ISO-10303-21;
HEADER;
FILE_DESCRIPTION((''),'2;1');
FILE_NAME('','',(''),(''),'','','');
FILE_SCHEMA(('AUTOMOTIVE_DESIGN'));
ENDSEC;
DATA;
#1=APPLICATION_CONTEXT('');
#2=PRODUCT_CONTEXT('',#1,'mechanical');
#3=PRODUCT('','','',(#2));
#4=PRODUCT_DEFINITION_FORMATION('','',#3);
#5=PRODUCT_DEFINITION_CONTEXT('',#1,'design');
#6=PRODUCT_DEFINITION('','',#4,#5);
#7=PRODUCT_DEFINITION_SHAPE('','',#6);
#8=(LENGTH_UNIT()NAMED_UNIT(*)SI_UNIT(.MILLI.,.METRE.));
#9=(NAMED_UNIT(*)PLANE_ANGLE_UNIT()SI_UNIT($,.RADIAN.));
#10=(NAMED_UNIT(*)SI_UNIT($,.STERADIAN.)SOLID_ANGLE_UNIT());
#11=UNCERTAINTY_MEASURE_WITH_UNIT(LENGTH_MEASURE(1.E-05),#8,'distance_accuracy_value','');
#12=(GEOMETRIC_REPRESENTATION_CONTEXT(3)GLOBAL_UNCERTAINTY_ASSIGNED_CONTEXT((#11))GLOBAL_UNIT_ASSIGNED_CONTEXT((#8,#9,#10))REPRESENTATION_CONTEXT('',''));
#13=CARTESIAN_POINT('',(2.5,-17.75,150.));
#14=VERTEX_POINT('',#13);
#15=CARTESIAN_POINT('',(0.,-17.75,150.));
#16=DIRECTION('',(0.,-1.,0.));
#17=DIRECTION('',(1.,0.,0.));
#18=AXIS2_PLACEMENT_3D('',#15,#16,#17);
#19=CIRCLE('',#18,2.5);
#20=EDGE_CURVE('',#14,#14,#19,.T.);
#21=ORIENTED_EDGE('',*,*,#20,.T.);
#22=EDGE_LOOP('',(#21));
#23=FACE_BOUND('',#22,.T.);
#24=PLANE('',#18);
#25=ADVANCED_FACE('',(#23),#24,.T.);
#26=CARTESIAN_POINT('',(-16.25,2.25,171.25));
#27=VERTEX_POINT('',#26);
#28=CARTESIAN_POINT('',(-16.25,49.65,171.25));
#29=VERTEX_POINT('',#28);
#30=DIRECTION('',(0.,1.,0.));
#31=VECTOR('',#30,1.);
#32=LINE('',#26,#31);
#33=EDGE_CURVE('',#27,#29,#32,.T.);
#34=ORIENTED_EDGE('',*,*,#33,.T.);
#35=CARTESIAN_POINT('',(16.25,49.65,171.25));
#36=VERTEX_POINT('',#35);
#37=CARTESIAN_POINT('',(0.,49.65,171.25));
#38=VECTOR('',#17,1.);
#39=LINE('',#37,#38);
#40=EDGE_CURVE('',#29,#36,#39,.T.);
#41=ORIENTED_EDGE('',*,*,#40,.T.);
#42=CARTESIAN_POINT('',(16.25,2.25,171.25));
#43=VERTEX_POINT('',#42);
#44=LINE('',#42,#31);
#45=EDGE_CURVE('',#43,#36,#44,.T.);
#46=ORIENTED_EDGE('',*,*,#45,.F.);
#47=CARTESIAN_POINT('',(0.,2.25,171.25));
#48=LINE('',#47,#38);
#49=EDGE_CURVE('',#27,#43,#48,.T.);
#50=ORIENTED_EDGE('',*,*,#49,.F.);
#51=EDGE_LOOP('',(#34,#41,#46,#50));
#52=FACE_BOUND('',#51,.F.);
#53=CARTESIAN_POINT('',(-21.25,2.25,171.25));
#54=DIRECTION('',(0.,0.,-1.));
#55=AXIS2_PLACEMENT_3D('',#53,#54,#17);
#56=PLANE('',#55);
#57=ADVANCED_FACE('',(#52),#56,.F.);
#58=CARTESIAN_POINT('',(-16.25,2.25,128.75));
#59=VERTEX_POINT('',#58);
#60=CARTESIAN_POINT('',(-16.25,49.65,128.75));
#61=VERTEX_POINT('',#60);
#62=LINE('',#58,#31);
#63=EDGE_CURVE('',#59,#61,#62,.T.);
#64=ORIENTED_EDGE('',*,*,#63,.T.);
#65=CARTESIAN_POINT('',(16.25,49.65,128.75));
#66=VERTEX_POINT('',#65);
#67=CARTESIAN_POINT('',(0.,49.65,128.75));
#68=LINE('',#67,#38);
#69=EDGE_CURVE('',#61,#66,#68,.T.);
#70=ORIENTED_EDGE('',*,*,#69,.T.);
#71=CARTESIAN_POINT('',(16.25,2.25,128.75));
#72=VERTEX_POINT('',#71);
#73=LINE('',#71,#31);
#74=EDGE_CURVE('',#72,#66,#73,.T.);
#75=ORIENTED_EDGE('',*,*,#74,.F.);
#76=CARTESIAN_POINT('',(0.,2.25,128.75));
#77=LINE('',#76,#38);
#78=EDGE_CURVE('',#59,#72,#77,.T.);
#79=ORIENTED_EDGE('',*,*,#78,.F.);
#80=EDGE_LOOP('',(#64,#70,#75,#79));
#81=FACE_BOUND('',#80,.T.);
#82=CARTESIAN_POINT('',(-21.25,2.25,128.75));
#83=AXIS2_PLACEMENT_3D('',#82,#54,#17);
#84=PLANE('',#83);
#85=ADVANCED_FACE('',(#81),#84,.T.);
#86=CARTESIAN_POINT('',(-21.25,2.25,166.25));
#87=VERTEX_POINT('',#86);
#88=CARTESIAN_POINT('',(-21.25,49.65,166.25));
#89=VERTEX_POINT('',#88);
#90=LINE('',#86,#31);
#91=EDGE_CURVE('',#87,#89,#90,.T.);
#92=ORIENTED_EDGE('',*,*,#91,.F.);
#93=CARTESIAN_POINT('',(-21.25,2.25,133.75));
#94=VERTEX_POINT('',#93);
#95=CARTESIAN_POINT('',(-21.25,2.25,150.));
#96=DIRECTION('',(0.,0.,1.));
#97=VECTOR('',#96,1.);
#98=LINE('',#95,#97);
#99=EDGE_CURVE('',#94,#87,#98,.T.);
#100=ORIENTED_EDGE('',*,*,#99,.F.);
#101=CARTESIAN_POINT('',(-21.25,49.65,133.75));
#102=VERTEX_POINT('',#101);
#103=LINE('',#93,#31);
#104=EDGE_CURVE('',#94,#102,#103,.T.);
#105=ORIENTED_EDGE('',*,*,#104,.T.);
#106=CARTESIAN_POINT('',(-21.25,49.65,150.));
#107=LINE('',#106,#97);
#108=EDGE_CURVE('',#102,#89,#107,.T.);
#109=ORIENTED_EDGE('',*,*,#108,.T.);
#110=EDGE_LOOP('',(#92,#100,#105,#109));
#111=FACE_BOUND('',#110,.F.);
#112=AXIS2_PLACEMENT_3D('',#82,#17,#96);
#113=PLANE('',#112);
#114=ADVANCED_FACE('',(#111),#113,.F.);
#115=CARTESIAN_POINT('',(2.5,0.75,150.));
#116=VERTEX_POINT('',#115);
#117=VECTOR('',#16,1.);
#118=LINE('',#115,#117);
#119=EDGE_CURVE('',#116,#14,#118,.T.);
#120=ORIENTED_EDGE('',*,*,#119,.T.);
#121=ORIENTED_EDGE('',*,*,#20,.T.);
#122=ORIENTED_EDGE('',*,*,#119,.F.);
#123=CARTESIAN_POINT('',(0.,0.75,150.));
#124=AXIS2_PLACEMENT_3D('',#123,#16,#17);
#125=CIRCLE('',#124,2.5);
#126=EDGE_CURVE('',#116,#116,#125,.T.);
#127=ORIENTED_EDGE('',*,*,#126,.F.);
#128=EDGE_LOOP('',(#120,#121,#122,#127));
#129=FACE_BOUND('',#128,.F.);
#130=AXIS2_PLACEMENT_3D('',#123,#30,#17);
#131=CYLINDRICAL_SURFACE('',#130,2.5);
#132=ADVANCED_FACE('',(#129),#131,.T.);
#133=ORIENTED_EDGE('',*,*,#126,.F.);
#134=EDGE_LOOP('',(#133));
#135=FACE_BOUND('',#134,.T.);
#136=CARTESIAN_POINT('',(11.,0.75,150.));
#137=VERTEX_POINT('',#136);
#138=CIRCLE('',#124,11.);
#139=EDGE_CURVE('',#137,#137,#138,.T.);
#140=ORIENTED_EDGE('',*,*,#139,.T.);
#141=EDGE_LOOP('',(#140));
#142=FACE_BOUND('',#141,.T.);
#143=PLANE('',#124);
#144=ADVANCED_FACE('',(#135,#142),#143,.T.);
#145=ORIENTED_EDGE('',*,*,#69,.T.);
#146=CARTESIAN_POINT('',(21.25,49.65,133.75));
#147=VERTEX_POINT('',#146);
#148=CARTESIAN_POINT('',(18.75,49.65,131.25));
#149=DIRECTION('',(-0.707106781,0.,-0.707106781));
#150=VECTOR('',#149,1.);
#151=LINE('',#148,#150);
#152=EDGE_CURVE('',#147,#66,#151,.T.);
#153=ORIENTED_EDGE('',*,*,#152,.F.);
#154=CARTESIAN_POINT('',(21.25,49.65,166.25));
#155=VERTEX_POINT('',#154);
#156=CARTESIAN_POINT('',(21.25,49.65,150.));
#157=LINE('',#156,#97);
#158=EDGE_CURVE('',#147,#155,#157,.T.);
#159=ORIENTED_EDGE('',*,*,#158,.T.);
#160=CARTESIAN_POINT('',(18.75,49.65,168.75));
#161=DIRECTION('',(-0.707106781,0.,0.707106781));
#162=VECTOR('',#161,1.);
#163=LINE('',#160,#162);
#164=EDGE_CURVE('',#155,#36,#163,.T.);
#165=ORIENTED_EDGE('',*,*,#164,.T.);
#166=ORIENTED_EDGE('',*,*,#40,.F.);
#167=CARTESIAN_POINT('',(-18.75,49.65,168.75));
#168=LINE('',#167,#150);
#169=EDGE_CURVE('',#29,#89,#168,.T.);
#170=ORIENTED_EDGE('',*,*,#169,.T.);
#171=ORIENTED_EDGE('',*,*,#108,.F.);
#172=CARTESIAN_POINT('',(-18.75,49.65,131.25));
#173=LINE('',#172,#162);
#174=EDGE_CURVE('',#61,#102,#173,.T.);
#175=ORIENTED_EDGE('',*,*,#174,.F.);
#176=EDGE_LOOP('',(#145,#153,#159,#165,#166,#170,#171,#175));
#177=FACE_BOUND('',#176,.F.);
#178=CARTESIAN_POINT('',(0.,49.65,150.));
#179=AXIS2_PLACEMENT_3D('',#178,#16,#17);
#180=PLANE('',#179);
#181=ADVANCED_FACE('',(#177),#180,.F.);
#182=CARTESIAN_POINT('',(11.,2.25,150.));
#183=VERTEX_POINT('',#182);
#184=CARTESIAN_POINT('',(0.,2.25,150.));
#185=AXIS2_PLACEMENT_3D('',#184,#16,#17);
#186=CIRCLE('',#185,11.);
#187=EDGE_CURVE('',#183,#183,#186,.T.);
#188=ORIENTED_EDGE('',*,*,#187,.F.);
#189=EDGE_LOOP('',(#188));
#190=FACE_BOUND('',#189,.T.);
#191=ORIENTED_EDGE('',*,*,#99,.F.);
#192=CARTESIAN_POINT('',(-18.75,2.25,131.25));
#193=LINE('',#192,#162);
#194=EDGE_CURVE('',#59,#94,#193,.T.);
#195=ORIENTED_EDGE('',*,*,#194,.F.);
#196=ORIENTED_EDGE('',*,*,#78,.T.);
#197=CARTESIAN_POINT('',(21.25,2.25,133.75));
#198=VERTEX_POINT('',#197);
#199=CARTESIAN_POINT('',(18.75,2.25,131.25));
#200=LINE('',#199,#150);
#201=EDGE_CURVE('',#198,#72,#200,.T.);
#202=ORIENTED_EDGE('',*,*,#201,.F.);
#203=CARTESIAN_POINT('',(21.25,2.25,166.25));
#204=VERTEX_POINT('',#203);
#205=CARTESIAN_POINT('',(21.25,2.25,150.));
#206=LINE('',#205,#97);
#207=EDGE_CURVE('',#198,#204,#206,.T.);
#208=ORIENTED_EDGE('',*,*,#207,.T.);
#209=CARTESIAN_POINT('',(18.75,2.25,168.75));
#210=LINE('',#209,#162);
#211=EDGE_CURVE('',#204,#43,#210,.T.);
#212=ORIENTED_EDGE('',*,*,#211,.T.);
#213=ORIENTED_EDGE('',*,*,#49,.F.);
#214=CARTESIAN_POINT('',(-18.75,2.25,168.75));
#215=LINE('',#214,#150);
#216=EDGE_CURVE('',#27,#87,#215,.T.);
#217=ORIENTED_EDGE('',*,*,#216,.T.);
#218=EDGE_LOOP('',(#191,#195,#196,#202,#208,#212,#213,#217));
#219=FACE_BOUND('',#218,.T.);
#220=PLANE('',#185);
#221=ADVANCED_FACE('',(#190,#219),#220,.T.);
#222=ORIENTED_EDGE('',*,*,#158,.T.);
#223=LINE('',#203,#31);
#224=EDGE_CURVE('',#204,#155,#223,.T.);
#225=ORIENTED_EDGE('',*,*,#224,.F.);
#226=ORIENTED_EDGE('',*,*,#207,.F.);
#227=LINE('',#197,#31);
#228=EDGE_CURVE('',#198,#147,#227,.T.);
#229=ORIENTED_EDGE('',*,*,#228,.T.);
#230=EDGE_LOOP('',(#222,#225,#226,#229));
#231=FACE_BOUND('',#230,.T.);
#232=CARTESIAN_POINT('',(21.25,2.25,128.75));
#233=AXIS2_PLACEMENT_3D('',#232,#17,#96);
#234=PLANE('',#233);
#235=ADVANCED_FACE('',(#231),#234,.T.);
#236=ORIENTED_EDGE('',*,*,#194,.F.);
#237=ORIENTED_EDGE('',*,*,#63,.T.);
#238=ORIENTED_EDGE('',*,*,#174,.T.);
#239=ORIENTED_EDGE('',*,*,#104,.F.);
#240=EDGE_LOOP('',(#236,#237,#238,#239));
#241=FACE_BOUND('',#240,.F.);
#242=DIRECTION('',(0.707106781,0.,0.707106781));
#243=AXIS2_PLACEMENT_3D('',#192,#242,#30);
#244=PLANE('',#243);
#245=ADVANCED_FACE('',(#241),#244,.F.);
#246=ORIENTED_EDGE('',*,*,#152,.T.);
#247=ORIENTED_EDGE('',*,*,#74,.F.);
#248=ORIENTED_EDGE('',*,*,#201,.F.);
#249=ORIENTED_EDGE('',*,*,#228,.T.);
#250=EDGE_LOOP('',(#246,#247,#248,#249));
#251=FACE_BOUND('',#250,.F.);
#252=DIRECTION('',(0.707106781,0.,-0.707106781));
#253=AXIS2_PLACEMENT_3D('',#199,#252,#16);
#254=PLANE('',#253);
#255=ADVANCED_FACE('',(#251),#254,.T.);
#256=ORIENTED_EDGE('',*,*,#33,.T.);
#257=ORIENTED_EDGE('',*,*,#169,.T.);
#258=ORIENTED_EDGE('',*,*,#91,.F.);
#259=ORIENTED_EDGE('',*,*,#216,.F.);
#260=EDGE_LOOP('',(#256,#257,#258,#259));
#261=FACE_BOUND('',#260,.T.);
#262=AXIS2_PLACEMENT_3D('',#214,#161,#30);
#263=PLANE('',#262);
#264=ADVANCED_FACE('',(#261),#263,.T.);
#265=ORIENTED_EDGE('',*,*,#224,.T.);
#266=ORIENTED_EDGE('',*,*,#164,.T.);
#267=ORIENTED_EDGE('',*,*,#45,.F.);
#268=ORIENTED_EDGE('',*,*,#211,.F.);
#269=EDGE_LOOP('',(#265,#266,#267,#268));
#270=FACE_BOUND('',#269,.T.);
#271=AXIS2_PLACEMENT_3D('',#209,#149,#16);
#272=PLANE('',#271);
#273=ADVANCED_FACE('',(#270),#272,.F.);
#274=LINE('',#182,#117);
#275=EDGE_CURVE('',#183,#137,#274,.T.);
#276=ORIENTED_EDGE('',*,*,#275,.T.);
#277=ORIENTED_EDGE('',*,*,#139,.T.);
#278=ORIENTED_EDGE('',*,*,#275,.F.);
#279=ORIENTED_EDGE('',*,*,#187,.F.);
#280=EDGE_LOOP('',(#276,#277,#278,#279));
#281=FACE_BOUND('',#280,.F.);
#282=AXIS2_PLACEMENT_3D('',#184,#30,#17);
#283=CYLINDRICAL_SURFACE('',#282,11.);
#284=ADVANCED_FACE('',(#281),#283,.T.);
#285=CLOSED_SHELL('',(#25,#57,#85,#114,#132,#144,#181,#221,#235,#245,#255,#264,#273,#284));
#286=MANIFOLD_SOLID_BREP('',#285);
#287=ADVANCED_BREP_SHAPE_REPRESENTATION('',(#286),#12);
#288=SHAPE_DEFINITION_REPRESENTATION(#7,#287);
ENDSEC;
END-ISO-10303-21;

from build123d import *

# Parameters (mm, degrees)
SKETCH005_W     = 42.5
SKETCH005_H     = 42.5
PAD002_DEPTH    = 47.4
CHAMFER_SIZE    = 5
CHAMFER001_SIZE = 5
CHAMFER002_SIZE = 5
CHAMFER003_SIZE = 5
SKETCH034_R     = 11
PAD007_DEPTH    = 1.5
SKETCH035_R     = 2.5
PAD008_DEPTH    = 18.5


with BuildPart() as part:
    # Sketch005 → Pad002 (new body)
    with BuildSketch(Plane.XZ):
        Rectangle(SKETCH005_W, SKETCH005_H)
    extrude(amount=-PAD002_DEPTH)

    # Chamfer
    chamfer_edges = [part.edges().sort_by_distance(p)[0] for p in [
        (21.25, 23.7, 21.25),
    ]]
    chamfer(chamfer_edges, length=CHAMFER_SIZE)

    # Chamfer001
    chamfer001_edges = [part.edges().sort_by_distance(p)[0] for p in [
        (-21.25, 23.7, 21.25),
    ]]
    chamfer(chamfer001_edges, length=CHAMFER001_SIZE)

    # Chamfer002
    chamfer002_edges = [part.edges().sort_by_distance(p)[0] for p in [
        (21.25, 23.7, -21.25),
    ]]
    chamfer(chamfer002_edges, length=CHAMFER002_SIZE)

    # Chamfer003
    chamfer003_edges = [part.edges().sort_by_distance(p)[0] for p in [
        (-21.25, 23.7, -21.25),
    ]]
    chamfer(chamfer003_edges, length=CHAMFER003_SIZE)

    # Sketch034 (on Face1 of Chamfer003) → Pad007 (join)
    with BuildSketch(Plane.XZ):
        Circle(SKETCH034_R)
    extrude(amount=PAD007_DEPTH)

    # Sketch035 (on Face12 of Pad007) → Pad008 (join)
    with BuildSketch(Plane.XZ.offset(1.5)):
        Circle(SKETCH035_R)
    extrude(amount=PAD008_DEPTH)


with BuildPart() as part_1:
    # Body002 placement: moved
    add(part.part.moved(Location((0, 2.25, 150))))


solid = part_1.part
